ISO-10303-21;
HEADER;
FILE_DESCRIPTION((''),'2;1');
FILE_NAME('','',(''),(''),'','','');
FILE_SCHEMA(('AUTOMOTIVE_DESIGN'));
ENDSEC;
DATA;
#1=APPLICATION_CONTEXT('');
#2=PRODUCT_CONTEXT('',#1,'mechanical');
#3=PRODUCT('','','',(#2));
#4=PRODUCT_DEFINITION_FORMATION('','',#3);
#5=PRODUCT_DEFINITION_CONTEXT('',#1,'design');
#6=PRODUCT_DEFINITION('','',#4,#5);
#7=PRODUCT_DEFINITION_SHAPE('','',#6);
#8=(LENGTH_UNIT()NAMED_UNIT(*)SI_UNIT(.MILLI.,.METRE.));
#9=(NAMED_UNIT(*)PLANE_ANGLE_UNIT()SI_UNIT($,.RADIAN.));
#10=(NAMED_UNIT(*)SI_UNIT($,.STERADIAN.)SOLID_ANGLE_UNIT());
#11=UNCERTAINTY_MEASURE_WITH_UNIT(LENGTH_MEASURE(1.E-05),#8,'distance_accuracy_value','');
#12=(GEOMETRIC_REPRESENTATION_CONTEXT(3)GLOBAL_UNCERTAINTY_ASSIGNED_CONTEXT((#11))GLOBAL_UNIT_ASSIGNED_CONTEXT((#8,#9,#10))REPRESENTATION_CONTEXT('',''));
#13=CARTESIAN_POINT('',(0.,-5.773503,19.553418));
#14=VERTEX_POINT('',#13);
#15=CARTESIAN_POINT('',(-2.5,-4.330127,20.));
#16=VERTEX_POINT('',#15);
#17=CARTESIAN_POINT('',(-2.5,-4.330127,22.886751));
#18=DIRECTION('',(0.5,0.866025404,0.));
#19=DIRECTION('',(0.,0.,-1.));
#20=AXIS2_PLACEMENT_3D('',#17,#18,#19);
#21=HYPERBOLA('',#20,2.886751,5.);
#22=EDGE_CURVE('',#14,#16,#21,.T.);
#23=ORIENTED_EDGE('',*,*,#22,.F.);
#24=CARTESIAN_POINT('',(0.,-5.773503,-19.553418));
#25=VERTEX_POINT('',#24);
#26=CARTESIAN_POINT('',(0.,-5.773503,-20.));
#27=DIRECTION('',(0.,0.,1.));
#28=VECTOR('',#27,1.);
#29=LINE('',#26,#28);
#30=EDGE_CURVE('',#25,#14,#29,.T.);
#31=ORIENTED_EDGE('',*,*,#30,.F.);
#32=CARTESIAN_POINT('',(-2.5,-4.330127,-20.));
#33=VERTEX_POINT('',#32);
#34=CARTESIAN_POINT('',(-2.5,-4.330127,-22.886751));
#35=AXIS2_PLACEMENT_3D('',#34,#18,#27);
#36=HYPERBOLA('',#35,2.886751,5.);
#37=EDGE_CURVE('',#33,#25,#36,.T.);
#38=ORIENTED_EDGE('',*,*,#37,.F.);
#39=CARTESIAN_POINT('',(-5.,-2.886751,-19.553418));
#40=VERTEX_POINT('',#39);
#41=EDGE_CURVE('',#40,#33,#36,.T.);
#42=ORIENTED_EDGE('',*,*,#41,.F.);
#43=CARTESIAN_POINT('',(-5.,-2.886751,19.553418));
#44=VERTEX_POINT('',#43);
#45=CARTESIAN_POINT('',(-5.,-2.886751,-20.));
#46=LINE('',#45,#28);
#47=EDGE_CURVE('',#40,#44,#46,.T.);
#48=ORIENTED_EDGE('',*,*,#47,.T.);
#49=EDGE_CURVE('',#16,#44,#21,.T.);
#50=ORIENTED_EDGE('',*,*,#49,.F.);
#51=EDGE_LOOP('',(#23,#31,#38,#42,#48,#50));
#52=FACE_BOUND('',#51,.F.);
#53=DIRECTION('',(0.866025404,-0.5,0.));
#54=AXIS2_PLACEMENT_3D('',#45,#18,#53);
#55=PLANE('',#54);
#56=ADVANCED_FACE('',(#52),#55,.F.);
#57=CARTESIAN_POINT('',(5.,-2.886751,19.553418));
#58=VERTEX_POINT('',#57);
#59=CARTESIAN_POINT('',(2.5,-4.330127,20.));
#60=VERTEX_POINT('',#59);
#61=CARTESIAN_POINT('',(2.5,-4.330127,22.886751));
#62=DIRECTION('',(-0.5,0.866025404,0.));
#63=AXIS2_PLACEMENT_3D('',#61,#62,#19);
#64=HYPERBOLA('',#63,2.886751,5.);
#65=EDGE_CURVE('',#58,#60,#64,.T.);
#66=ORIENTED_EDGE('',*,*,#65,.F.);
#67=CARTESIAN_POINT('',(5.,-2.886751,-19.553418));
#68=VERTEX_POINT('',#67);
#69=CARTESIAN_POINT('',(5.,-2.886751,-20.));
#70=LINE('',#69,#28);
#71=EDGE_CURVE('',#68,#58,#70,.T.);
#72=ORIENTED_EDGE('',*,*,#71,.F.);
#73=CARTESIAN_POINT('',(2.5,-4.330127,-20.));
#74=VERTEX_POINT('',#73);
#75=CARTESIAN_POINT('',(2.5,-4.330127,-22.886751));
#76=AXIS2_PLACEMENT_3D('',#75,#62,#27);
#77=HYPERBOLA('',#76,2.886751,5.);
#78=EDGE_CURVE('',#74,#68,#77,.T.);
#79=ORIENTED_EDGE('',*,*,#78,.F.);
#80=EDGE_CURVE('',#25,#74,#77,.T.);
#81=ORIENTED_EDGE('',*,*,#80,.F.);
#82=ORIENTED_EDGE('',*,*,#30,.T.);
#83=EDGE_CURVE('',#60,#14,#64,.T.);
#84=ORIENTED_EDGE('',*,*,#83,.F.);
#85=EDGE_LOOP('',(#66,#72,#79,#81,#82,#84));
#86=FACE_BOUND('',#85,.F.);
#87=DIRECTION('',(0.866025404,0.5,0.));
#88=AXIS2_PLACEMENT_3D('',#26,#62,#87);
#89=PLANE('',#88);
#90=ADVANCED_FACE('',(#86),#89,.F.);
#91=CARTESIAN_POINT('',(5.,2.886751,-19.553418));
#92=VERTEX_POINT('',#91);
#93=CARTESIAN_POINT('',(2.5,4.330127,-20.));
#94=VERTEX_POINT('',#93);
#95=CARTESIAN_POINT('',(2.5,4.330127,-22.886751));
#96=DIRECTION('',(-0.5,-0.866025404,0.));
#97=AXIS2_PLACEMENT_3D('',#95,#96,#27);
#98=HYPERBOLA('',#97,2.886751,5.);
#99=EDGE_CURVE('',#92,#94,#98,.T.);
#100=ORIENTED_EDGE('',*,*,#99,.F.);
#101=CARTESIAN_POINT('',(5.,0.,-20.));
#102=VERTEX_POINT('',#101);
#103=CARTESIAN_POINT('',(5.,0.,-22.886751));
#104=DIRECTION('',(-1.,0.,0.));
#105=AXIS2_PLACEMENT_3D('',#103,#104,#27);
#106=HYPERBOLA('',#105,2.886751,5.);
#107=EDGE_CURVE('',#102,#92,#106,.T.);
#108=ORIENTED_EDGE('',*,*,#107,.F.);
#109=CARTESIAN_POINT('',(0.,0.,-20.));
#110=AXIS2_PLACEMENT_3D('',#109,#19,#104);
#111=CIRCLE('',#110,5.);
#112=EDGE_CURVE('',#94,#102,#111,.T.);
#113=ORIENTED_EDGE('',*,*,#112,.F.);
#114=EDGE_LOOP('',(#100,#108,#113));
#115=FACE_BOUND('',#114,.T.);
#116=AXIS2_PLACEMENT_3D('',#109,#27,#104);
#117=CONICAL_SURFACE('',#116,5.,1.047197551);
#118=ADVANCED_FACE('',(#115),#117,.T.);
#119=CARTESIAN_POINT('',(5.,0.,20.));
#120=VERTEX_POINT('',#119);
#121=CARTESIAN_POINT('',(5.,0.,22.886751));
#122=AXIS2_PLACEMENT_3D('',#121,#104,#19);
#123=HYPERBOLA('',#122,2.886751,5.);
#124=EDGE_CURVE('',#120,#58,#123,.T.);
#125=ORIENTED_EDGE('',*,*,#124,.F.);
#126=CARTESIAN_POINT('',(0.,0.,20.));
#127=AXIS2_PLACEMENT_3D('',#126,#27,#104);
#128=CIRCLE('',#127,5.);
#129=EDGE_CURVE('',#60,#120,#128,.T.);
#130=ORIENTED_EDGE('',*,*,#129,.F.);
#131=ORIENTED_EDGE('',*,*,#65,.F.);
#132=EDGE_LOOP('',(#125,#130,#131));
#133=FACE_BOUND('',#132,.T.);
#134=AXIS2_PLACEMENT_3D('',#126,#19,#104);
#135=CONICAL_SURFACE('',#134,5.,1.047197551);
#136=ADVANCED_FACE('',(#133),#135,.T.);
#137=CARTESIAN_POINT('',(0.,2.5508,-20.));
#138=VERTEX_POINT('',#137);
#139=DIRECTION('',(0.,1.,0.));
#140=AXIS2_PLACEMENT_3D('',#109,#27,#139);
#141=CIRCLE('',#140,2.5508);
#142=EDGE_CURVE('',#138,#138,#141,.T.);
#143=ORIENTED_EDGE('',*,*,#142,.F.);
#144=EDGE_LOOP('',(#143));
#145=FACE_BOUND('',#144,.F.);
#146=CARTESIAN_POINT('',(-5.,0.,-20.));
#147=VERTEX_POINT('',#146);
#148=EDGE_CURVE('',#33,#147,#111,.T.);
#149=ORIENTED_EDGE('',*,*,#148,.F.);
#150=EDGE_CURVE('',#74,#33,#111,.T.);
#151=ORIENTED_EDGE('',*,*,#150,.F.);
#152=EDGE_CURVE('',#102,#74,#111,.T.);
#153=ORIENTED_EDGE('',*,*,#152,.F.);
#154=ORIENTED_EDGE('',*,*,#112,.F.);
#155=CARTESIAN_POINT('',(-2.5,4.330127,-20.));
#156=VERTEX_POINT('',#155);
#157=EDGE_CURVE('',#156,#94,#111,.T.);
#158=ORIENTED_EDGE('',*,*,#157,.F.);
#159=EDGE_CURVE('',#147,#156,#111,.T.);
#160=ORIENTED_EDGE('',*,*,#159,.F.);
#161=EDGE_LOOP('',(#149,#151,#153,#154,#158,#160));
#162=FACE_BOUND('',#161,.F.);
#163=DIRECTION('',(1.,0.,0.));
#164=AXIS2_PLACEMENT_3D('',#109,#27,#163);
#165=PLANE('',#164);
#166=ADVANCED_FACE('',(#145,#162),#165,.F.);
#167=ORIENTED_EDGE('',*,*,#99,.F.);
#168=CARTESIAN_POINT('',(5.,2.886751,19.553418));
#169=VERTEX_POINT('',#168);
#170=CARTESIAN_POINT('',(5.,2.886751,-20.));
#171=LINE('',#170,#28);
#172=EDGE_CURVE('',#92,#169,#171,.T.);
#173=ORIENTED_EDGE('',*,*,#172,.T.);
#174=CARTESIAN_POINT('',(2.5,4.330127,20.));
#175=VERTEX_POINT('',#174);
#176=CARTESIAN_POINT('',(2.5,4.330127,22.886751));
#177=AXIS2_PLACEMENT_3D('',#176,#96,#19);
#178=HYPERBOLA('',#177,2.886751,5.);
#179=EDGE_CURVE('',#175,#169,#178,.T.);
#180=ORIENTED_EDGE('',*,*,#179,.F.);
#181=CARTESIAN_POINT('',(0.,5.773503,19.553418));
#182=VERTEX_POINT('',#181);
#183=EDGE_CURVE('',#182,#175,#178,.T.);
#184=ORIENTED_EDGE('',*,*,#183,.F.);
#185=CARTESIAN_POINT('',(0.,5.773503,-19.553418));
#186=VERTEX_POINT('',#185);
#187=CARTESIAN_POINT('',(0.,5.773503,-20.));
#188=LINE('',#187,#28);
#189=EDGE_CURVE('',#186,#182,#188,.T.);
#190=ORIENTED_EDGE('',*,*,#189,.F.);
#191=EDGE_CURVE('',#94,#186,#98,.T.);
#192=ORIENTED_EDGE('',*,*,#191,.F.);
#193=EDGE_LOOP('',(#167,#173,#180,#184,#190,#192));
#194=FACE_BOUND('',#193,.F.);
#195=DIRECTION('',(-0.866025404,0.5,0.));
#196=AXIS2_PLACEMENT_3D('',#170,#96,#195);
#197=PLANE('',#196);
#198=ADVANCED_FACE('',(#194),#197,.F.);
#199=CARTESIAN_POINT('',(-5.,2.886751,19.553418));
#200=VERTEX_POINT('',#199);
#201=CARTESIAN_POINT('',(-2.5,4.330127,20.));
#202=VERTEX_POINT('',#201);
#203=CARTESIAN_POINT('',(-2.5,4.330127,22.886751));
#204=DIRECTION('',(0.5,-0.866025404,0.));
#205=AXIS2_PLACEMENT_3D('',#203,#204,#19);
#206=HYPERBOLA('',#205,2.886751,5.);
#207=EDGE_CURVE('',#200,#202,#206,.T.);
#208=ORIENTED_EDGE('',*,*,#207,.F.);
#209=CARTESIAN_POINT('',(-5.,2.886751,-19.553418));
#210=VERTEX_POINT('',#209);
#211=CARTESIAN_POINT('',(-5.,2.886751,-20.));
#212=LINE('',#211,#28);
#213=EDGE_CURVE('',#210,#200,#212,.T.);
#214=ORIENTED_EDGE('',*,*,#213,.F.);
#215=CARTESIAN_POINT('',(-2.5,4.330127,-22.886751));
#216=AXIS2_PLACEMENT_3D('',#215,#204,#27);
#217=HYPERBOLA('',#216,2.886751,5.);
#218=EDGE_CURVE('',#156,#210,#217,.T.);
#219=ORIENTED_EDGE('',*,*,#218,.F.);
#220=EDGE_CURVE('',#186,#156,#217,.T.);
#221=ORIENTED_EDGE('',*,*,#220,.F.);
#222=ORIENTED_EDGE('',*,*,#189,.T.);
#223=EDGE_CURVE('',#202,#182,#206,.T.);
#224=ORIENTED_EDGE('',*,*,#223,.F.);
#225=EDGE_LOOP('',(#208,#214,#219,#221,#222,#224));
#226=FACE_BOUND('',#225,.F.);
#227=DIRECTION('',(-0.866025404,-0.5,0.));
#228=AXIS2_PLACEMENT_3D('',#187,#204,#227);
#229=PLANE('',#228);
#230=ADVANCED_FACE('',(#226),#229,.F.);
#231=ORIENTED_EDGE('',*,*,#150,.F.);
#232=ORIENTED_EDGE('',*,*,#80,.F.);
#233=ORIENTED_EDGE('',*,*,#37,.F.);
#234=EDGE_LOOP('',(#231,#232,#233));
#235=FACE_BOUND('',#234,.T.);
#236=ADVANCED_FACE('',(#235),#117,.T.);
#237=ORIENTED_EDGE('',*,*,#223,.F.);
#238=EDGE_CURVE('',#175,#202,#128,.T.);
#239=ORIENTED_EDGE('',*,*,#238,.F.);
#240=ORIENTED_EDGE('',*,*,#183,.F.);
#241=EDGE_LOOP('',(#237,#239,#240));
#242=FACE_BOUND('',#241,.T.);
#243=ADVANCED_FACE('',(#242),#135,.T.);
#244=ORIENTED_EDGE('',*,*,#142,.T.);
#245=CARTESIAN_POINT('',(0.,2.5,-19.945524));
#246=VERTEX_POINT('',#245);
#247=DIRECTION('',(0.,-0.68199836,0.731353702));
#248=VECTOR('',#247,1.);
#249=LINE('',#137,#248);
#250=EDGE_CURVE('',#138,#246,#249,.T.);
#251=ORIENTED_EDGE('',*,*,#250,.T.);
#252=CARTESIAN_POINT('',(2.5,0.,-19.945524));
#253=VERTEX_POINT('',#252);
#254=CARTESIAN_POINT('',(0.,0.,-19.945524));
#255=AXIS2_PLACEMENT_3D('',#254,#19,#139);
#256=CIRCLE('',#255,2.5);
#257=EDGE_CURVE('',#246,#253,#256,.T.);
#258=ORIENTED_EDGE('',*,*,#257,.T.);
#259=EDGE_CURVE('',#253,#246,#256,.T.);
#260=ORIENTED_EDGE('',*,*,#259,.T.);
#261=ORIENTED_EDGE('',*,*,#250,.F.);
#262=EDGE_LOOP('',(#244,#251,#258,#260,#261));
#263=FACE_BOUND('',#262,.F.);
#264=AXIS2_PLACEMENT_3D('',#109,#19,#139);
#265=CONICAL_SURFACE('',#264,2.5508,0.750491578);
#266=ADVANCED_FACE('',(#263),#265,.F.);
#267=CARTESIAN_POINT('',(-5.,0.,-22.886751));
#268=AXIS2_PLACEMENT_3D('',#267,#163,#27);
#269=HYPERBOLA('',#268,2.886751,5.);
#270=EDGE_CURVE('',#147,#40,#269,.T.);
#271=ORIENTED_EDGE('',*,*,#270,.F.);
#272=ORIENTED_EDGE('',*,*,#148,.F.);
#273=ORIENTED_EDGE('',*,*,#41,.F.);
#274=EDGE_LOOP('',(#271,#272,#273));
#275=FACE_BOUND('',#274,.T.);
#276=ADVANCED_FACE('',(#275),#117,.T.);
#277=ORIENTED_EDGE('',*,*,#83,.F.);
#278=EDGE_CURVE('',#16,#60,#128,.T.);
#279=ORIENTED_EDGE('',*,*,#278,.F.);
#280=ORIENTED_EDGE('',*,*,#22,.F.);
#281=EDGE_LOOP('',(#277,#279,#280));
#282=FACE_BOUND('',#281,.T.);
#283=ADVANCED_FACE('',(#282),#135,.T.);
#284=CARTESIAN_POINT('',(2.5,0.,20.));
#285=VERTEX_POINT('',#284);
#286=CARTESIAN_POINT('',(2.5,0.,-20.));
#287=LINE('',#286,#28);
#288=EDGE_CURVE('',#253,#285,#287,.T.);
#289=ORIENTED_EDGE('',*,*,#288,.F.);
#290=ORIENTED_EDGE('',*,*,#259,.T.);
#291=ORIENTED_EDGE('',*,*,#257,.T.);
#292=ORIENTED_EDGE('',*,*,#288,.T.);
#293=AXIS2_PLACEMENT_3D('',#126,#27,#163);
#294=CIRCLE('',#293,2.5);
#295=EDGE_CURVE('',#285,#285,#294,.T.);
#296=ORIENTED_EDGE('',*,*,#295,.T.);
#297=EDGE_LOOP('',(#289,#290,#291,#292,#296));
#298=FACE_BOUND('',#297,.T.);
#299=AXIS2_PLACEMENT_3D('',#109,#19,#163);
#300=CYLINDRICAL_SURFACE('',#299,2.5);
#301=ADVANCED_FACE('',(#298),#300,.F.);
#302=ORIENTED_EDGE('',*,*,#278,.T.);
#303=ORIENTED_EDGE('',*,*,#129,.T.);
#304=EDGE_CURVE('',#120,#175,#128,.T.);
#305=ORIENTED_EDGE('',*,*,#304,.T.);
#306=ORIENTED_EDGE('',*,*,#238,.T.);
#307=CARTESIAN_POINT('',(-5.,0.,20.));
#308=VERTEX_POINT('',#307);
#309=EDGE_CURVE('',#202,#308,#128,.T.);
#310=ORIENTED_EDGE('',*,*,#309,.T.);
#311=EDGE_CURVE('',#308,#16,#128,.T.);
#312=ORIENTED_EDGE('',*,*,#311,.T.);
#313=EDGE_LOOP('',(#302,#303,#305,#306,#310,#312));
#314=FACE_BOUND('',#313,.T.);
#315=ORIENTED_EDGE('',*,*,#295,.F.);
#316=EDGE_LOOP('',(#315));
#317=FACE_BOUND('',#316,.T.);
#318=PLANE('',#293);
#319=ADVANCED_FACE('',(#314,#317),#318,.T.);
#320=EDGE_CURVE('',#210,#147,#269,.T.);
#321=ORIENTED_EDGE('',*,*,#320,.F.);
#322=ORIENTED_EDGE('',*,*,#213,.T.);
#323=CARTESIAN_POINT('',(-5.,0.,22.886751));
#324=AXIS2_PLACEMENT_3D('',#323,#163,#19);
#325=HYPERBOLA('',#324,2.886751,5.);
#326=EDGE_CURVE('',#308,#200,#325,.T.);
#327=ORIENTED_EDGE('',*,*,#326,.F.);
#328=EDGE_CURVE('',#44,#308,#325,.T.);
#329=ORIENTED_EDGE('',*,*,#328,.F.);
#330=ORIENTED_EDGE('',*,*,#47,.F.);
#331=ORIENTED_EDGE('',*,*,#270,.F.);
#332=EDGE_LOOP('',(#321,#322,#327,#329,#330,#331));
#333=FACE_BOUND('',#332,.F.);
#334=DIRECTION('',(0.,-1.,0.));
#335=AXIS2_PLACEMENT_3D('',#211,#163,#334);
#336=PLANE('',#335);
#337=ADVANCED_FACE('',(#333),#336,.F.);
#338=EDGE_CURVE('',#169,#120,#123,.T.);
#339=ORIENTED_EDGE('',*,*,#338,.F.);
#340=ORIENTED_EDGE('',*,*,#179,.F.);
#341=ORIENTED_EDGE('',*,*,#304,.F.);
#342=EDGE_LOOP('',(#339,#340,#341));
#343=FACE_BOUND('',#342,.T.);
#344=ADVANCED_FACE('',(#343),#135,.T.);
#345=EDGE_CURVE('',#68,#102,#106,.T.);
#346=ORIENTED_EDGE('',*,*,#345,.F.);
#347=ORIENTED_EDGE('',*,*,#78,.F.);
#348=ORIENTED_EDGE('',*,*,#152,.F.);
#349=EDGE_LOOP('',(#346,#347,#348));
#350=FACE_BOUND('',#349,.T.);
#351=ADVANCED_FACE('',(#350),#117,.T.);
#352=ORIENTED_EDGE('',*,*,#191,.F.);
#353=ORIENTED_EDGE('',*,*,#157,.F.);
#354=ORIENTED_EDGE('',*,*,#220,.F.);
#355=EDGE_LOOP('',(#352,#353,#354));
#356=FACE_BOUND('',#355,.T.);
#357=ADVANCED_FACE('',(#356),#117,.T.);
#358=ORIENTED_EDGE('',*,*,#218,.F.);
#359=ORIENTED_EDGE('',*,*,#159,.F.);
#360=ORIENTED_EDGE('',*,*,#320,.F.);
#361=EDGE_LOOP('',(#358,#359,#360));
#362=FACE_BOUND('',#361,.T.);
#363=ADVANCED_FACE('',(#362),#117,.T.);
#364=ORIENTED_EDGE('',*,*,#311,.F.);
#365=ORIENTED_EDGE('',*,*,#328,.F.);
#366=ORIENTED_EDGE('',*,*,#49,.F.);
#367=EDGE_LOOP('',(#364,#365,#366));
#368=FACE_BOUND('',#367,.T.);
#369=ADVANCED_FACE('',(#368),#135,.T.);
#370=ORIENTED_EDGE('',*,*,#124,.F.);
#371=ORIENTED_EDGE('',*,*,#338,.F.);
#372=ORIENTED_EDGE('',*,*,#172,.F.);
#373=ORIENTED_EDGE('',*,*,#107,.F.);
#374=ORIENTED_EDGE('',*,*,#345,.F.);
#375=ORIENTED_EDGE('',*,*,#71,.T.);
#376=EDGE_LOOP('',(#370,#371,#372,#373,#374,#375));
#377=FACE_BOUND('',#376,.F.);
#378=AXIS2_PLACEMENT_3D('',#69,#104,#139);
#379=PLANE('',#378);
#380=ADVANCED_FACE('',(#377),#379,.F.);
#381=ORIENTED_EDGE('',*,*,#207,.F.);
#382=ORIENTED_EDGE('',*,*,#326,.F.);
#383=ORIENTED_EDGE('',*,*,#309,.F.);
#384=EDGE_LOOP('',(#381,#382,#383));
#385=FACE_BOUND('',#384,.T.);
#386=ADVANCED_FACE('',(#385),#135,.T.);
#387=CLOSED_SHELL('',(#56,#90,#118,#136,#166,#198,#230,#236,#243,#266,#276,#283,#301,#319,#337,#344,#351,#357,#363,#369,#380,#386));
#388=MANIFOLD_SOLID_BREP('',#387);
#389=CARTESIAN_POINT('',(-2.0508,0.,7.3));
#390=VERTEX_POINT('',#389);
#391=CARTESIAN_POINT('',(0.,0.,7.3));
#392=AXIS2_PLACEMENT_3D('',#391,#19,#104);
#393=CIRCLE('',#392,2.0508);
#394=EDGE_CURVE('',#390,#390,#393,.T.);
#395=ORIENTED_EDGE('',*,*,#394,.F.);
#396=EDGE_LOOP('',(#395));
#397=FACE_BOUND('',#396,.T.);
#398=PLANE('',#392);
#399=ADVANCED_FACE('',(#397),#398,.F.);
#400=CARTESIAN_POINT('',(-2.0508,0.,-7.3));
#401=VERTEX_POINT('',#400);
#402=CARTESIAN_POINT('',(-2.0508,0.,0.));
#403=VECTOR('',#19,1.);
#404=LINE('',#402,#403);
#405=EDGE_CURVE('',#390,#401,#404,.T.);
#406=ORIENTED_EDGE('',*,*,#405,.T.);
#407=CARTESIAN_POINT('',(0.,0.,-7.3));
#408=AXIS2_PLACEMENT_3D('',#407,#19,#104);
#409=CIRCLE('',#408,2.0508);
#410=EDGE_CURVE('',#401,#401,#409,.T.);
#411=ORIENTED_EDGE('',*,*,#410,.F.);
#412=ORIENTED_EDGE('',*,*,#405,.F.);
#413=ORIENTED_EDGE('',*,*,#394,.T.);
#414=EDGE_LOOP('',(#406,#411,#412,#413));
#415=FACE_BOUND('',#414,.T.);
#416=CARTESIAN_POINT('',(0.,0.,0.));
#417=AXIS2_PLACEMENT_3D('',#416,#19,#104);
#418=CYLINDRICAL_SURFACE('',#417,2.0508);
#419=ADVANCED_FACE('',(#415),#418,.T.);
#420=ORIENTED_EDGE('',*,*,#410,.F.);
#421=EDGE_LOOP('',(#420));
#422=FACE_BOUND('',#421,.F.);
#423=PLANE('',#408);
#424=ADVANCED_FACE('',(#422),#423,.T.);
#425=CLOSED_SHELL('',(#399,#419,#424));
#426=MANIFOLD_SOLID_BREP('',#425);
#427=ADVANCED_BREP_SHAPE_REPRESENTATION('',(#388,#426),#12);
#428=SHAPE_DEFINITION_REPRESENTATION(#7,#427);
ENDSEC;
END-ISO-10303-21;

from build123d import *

# Parameters (mm, degrees)
EXTRUDE1_DEPTH          = 20
EXTRUDE1_DEPTH_BACK     = 20
SKETCH1_R               = 2.5
SKETCH8_OUTSIDE_W       = 165.094
SKETCH8_OUTSIDE_H       = 166.642
SKETCH8_OUTSIDE_R       = 5
EXTRUDE4_DEPTH          = 41.722639076
EXTRUDE4_DRAFT          = -60
MIRROR1_COPY_1_SKETCH_W = 165.094
MIRROR1_COPY_1_SKETCH_H = 166.642
MIRROR1_COPY_1_SKETCH_R = 5
MIRROR1_COPY_1_DEPTH    = 41.722639076
MIRROR1_COPY_1_DRAFT    = -60
SKETCH9_W               = 14.6
SKETCH9_H               = 2.0508


with BuildPart() as part:
    # Sketch1 → Extrude1 (new, two sides: drawn at the far end of the back side and taken through both)
    with BuildSketch(Plane.XY.offset(-EXTRUDE1_DEPTH_BACK)):
        Polygon((0, 5.773502692), (-5, 2.886751346), (-5, -2.886751346), (0, -5.773502692), (5, -2.886751346), (5, 2.886751346), align=None)
        Circle(SKETCH1_R, mode=Mode.SUBTRACT)
    extrude(amount=EXTRUDE1_DEPTH + EXTRUDE1_DEPTH_BACK)

    # Extrude3 cone 1 section (through the dimple's axis) → Extrude3 (revolve, cut)
    with BuildSketch(Plane(origin=(0, 0, -20), x_dir=(0, 1, 0), z_dir=(1, 0, 0))):
        Polygon((0, 0), (2.5508, 0), (0, 2.735398106), align=None)
    revolve(axis=Axis((0, 0, -20), (0, 0, 1)), mode=Mode.SUBTRACT)


with BuildPart() as extrude4_tool:
    # Sketch8 outside → Extrude4 (with draft: the straight prism first)
    with BuildSketch(Plane(origin=(0, 0, -20), x_dir=(-1, 0, 0), z_dir=(0, 0, -1))):
        Rectangle(SKETCH8_OUTSIDE_W, SKETCH8_OUTSIDE_H)
        Circle(SKETCH8_OUTSIDE_R, mode=Mode.SUBTRACT)
    extrude(amount=-EXTRUDE4_DEPTH)
    # Extrude4: the draft: its side faces are tilted about the plane it starts from
    extrude4_sides = [extrude4_tool.faces().sort_by_distance(p)[0] for p in [
        (0, -83.321, 0.861319538),
        (-82.547, 0, 0.861319538),
        (0, 83.321, 0.861319538),
        (82.547, 0, 0.861319538),
        (5, 0, 0.861319538),
    ]]
    draft(extrude4_sides, Plane(origin=(0, 0, -20), x_dir=(-1, 0, 0), z_dir=(0, 0, -1)), EXTRUDE4_DRAFT)


with BuildPart() as part_1:
    add(part.part)

    # Extrude4: cut by extrude4_tool
    add(extrude4_tool.part, mode=Mode.SUBTRACT)


with BuildPart() as mirror1_copy_1_tool:
    # Mirror1 copy 1 sketch → Mirror1 copy 1 (with draft: the straight prism first)
    with BuildSketch(Plane(origin=(0, 0, 20), x_dir=(-1, 0, 0), z_dir=(0, 0, 1))):
        Rectangle(MIRROR1_COPY_1_SKETCH_W, MIRROR1_COPY_1_SKETCH_H)
        Circle(MIRROR1_COPY_1_SKETCH_R, mode=Mode.SUBTRACT)
    extrude(amount=-MIRROR1_COPY_1_DEPTH)
    # Mirror1 copy 1: the draft: its side faces are tilted about the plane it starts from
    mirror1_copy_1_sides = [mirror1_copy_1_tool.faces().sort_by_distance(p)[0] for p in [
        (0, -83.321, -0.861319538),
        (-82.547, 0, -0.861319538),
        (0, 83.321, -0.861319538),
        (82.547, 0, -0.861319538),
        (5, 0, -0.861319538),
    ]]
    draft(mirror1_copy_1_sides, Plane(origin=(0, 0, 20), x_dir=(-1, 0, 0), z_dir=(0, 0, 1)), MIRROR1_COPY_1_DRAFT)


with BuildPart() as part_2:
    add(part_1.part)

    # Mirror1 copy 1: cut by mirror1_copy_1_tool
    add(mirror1_copy_1_tool.part, mode=Mode.SUBTRACT)


with BuildPart() as body_2:
    # Sketch9 → Revolve 2 (revolve)
    with BuildSketch(Plane(origin=(0, 0, 0), x_dir=(0, 0, -1), z_dir=(1, 0, 0)), mode=Mode.PRIVATE) as revolve_2_sk:
        with Locations((0, 1.0254)):
            Rectangle(SKETCH9_W, SKETCH9_H)
    revolve(revolve_2_sk.sketch.rotate(Axis((0, 0, 20), (0, 0, -1)), 270), axis=Axis((0, 0, 20), (0, 0, -1)))


solid = Compound([part_2.part, body_2.part])
